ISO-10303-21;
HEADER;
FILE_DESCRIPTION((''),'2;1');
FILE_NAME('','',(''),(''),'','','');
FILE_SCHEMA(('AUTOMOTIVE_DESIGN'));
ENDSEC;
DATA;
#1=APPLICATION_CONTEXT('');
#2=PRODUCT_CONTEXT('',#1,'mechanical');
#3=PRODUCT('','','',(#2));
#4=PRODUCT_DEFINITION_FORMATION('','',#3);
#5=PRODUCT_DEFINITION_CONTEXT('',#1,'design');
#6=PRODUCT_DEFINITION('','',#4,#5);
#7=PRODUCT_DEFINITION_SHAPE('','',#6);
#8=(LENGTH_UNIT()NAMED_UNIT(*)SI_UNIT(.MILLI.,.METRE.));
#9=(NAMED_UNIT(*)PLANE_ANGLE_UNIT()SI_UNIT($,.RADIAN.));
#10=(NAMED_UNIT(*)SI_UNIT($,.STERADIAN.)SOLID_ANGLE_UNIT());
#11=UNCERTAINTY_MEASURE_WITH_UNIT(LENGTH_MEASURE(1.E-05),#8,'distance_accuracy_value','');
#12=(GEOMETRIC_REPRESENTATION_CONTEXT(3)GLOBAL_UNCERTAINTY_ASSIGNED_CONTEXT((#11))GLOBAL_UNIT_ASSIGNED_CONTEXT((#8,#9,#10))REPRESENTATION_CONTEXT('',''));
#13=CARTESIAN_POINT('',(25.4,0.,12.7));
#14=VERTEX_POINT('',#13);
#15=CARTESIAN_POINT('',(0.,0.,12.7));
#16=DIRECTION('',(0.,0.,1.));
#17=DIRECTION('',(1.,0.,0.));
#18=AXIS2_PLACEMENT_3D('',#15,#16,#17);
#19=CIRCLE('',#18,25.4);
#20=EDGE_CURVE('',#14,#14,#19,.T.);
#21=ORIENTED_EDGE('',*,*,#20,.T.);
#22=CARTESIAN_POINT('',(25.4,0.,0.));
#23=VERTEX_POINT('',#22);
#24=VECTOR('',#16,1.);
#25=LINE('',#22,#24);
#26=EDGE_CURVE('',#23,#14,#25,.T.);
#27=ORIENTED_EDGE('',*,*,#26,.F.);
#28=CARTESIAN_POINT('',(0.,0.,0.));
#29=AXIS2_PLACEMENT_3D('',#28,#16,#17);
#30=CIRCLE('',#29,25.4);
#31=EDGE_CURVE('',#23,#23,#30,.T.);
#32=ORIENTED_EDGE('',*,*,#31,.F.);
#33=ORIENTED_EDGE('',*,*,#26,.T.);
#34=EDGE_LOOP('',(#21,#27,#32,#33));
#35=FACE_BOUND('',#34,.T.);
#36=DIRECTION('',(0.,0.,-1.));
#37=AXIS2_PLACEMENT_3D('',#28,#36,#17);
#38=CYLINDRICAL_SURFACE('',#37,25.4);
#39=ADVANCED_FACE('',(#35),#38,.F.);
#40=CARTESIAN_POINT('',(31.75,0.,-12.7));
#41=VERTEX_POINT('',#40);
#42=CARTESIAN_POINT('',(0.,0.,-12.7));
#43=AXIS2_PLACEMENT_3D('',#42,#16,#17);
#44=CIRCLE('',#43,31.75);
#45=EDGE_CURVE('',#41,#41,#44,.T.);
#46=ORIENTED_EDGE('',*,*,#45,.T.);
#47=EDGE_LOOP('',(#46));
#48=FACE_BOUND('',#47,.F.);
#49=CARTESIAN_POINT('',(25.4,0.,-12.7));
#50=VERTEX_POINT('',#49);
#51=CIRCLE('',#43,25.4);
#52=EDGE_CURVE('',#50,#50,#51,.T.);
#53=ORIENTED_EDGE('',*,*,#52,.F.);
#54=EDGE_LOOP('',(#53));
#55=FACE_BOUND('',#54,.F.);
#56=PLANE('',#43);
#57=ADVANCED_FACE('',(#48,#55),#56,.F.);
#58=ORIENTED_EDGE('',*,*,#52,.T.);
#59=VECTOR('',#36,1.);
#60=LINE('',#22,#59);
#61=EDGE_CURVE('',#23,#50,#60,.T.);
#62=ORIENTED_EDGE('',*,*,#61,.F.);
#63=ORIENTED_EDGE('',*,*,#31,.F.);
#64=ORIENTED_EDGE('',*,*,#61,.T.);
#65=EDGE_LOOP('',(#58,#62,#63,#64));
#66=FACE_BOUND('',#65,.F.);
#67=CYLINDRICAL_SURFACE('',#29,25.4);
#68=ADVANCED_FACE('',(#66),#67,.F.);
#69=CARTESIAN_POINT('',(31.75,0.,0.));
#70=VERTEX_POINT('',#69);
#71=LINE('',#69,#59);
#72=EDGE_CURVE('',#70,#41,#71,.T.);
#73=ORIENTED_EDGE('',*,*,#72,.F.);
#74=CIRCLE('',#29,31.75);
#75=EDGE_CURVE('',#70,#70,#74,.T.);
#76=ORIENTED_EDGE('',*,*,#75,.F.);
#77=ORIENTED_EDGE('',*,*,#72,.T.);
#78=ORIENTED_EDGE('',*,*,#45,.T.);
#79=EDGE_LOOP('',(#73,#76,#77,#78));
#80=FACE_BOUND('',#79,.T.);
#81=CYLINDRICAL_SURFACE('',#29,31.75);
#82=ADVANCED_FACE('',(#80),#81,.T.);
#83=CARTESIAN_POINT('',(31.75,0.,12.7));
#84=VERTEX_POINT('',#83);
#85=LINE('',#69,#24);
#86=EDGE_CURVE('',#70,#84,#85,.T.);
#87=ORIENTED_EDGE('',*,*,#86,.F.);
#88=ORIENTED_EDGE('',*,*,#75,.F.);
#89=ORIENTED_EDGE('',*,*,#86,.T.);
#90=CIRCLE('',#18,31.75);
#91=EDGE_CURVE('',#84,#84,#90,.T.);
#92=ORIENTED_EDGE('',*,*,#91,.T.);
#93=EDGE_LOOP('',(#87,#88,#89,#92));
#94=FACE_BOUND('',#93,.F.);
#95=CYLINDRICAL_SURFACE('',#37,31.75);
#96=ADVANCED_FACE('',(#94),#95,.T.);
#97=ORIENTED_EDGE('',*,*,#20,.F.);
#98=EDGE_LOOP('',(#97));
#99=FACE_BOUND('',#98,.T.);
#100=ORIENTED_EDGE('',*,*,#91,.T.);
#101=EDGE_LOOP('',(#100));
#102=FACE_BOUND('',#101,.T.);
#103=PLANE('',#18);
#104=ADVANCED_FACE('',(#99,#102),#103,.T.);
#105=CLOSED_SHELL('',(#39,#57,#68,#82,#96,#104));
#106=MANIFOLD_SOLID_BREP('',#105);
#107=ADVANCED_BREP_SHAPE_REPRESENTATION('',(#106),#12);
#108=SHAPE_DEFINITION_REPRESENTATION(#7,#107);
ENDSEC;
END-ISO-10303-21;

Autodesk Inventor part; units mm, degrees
ref_plane "YZ Plane" through (0, 0, 0) normal (1, 0, 0) x (0, 1, 0)
ref_plane "XZ Plane" through (0, 0, 0) normal (0, 1, 0) x (-1, 0, 0)
ref_plane "XY Plane" through (0, 0, 0) normal (0, 0, 1) x (1, 0, 0)
sketch "Sketch1" plane through (0, 0, 0) normal (0, 0, 1) x (1, 0, 0)
  circle A0 centre (0, 0) radius 25.4
  circle A1 centre (0, 0) radius 31.75
  dimension "d0" = 50.8
  dimension "d1" = 63.5
extrude "Extrusion1" add sketch "Sketch1" along normal mid plane 25.4
properties part number "Tread" material "Rubber"
